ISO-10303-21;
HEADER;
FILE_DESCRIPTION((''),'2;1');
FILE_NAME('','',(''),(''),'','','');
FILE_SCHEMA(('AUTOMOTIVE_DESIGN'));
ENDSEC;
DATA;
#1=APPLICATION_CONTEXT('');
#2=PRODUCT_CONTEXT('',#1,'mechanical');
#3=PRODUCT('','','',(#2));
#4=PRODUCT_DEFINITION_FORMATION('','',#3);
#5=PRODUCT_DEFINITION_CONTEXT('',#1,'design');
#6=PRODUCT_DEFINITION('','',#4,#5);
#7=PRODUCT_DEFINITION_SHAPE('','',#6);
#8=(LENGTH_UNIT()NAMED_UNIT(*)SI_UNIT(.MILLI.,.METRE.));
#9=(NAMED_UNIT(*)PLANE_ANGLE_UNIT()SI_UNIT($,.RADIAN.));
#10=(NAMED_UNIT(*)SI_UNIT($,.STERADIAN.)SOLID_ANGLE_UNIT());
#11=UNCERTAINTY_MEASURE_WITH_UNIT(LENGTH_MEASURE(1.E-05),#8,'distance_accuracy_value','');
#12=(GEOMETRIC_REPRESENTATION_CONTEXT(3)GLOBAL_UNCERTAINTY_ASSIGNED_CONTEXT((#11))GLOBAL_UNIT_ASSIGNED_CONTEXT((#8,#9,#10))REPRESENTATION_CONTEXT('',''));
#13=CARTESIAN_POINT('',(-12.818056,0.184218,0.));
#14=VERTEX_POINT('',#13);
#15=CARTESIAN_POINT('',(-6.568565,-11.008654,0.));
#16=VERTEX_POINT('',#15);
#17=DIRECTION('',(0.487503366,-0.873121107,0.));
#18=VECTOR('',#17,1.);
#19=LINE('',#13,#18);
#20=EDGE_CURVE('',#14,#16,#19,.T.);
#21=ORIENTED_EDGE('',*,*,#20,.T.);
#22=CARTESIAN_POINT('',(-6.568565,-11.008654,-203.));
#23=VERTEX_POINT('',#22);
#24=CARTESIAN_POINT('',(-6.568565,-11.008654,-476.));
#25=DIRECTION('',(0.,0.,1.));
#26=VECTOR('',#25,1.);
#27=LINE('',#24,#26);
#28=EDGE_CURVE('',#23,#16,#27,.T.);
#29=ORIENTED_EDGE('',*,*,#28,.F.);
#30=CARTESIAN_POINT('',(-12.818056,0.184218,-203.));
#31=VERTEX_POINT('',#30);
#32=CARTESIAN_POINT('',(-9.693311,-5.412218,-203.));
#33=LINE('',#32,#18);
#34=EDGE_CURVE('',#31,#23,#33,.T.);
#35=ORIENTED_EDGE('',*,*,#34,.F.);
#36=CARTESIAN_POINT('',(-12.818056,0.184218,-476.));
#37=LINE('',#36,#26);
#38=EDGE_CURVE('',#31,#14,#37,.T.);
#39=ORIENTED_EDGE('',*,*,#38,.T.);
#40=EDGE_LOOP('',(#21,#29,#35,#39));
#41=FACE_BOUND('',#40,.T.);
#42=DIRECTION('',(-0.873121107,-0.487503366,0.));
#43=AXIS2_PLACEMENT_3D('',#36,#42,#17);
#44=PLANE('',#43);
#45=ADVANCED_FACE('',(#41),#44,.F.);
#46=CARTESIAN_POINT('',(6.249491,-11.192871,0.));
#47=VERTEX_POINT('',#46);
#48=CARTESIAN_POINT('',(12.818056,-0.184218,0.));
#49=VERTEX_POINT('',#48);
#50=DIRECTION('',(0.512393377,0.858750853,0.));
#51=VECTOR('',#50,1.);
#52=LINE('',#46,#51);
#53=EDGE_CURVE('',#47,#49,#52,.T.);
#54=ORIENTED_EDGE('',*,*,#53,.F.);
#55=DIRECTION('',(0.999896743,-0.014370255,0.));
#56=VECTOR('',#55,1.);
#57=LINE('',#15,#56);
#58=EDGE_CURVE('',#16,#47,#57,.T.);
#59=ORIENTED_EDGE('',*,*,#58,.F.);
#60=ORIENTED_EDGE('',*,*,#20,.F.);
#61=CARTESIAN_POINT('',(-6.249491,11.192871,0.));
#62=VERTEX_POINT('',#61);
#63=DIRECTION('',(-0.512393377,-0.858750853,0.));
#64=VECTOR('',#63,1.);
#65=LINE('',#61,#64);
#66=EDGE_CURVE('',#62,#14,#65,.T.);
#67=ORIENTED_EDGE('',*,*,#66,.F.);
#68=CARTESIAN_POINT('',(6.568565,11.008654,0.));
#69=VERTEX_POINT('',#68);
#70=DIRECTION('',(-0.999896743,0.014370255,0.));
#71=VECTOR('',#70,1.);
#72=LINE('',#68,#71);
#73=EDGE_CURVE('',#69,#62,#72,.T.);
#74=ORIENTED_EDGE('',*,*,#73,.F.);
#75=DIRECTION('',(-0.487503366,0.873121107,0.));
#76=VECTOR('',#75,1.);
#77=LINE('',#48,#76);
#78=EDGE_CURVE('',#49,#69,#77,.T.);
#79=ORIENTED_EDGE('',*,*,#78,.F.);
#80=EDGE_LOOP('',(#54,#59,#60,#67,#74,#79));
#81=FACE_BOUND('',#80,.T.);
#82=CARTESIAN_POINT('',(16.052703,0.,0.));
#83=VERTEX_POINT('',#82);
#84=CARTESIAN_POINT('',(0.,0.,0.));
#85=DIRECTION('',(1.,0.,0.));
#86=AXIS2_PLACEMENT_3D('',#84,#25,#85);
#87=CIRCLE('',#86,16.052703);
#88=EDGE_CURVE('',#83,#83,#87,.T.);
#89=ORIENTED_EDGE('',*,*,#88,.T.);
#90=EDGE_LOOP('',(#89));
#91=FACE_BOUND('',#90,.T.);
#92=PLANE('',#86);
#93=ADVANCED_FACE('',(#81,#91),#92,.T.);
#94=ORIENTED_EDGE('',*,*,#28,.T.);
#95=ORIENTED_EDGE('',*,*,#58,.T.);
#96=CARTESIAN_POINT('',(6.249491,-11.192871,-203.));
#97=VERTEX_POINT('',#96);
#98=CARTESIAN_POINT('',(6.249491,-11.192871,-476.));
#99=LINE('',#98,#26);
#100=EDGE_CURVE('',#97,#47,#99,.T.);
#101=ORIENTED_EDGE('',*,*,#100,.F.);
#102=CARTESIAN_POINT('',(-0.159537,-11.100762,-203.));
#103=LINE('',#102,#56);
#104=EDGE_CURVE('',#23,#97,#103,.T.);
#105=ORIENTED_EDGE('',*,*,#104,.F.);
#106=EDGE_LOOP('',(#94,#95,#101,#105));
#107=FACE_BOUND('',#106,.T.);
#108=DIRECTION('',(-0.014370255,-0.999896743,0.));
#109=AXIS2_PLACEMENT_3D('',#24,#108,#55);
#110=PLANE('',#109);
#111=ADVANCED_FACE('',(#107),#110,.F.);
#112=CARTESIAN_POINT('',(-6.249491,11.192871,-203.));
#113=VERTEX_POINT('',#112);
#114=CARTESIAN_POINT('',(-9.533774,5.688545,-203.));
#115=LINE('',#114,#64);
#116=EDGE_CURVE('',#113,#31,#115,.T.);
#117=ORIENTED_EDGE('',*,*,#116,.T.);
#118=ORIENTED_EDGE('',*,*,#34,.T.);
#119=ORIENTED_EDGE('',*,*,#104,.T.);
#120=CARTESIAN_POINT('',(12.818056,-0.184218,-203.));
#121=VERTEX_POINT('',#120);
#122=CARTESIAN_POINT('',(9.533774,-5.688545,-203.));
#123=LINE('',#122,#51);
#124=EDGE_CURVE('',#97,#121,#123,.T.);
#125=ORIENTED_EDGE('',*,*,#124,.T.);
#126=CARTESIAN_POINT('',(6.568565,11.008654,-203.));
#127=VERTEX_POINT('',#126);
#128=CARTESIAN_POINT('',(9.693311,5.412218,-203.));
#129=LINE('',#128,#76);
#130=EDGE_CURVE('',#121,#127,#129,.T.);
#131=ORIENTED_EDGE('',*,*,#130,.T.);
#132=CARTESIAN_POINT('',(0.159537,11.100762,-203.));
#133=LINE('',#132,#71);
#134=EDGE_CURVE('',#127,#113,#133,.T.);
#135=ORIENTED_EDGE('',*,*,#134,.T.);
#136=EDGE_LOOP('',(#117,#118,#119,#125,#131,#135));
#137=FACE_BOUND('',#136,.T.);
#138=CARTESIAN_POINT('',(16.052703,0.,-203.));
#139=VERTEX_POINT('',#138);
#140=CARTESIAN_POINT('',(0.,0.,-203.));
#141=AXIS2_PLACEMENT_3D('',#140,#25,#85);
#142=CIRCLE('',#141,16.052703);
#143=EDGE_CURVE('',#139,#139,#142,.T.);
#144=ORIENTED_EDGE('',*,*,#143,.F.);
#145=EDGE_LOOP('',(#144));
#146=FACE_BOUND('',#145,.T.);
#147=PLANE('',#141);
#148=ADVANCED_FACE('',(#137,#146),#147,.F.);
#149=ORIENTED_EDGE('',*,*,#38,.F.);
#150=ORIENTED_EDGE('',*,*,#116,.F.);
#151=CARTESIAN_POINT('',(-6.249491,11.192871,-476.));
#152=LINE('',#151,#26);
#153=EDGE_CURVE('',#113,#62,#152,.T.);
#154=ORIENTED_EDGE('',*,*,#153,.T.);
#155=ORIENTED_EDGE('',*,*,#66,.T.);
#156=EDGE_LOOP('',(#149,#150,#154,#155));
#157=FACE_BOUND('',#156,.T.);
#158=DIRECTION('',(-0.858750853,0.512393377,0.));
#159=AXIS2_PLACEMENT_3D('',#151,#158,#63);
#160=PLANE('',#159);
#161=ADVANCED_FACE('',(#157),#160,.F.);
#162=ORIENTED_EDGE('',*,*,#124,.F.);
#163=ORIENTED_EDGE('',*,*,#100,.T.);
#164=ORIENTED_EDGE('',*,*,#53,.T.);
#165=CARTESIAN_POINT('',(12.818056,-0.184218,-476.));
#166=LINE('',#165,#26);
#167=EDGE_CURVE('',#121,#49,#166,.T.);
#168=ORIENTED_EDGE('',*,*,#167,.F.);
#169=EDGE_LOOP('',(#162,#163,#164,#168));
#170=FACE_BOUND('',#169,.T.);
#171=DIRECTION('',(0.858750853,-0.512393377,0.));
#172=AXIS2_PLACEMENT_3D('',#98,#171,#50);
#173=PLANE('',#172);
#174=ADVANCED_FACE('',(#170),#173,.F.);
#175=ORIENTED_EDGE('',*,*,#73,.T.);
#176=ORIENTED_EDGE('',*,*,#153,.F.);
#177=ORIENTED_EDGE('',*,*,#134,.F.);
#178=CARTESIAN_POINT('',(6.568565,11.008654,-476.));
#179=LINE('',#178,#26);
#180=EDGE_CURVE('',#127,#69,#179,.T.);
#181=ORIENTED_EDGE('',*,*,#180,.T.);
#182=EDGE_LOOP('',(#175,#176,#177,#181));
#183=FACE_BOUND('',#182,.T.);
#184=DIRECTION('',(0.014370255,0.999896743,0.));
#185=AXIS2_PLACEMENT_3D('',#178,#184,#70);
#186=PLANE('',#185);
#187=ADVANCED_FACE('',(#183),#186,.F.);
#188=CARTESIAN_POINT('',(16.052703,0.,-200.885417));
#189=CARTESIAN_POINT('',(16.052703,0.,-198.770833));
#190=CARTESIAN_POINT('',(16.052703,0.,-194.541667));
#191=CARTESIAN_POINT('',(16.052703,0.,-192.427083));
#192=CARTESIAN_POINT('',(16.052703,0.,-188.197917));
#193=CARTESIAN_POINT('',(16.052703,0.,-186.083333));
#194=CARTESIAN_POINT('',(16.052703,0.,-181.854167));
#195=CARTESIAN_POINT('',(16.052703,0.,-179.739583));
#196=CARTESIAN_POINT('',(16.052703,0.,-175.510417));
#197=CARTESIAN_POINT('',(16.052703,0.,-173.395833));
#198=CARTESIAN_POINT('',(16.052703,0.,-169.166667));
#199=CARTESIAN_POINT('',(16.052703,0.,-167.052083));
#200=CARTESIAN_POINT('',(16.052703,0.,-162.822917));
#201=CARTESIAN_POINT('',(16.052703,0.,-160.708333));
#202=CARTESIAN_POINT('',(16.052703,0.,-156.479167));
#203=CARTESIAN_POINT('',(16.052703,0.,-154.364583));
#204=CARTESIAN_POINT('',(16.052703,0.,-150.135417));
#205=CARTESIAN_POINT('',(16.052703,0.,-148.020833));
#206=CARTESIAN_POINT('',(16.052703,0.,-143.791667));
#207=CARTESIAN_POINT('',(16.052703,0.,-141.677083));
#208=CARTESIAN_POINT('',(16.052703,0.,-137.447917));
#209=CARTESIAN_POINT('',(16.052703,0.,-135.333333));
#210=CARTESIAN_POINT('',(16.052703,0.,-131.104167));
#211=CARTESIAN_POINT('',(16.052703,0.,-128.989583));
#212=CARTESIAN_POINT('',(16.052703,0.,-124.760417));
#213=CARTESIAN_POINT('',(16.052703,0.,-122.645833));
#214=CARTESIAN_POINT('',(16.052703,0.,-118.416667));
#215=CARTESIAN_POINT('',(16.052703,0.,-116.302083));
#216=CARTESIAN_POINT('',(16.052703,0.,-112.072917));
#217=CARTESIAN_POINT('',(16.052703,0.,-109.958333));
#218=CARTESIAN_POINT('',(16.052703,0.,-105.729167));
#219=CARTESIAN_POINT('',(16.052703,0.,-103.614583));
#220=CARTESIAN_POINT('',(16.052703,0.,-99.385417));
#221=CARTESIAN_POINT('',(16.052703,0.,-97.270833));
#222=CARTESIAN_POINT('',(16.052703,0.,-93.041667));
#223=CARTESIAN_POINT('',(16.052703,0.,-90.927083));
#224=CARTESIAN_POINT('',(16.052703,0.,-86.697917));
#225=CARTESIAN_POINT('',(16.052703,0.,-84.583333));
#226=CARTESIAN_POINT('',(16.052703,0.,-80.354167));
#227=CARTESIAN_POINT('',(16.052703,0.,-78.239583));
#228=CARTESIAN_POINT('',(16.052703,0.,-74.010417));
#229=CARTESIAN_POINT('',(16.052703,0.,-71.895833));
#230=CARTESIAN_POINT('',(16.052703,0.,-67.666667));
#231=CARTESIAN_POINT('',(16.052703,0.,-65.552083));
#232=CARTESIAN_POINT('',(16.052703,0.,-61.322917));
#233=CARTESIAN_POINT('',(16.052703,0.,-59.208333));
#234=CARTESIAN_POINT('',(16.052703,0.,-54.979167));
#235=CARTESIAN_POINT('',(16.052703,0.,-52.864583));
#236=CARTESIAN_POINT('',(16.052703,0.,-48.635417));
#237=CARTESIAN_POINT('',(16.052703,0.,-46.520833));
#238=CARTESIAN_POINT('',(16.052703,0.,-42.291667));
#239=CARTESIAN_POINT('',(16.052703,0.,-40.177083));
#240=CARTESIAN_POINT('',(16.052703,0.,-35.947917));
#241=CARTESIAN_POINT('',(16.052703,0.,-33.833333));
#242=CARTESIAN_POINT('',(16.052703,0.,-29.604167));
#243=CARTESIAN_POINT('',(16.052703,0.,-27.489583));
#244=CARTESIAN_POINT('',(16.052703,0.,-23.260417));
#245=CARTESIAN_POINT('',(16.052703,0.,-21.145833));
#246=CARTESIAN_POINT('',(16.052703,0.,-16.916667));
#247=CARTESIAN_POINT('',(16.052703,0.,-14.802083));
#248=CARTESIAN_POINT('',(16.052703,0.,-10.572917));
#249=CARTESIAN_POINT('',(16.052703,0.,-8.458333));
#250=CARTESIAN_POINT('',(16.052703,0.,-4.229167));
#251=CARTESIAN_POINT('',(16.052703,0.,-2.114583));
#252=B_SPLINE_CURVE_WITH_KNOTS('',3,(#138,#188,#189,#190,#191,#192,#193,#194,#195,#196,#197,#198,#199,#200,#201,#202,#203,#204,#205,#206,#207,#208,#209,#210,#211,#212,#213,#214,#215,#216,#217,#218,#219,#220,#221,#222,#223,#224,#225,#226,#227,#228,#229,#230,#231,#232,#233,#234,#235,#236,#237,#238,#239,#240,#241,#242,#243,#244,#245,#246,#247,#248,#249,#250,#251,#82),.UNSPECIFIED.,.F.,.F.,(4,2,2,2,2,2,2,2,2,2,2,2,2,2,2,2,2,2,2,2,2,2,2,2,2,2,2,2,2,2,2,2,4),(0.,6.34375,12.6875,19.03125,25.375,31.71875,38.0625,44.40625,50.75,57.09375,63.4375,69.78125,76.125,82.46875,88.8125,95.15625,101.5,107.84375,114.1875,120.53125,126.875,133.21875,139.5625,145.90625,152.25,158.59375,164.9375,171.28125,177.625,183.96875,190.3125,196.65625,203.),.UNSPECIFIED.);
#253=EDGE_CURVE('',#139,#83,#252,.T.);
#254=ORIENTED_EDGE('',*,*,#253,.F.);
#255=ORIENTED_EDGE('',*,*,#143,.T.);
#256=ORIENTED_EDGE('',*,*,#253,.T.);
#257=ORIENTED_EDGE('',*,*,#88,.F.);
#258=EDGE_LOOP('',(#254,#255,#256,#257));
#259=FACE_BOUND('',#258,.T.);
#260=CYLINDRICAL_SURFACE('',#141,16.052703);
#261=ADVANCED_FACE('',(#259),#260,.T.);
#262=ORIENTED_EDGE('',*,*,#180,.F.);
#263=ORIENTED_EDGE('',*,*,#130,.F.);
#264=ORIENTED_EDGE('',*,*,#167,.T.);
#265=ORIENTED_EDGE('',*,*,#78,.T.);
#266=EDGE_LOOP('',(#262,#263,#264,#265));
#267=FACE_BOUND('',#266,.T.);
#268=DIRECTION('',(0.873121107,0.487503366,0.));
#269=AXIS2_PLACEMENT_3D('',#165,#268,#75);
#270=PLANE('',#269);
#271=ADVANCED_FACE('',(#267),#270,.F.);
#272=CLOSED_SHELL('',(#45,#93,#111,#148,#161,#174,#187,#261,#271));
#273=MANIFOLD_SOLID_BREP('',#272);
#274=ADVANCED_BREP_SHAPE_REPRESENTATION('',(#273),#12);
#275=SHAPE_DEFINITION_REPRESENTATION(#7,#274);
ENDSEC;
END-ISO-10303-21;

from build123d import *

# Parameters (mm, degrees)
SKETCH2_R           = 16.052702668
BOSS_EXTRUDE1_DEPTH = 203
CUT_EXTRUDE1_DEPTH  = 476


with BuildPart() as part:
    # Sketch2 → Boss-Extrude1 (new body)
    with BuildSketch(Plane.XY):
        Circle(SKETCH2_R)
    extrude(amount=-BOSS_EXTRUDE1_DEPTH)

    # Sketch5 → Cut-Extrude1 (cut)
    with BuildSketch(Plane.XY):
        Polygon((6.249490897, -11.192871263), (12.818056304, -0.184217754), (6.568565406, 11.008653509), (-6.249490897, 11.192871263), (-12.818056304, 0.184217754), (-6.568565406, -11.008653509), align=None)
    extrude(amount=-CUT_EXTRUDE1_DEPTH, mode=Mode.SUBTRACT)


solid = part.part
